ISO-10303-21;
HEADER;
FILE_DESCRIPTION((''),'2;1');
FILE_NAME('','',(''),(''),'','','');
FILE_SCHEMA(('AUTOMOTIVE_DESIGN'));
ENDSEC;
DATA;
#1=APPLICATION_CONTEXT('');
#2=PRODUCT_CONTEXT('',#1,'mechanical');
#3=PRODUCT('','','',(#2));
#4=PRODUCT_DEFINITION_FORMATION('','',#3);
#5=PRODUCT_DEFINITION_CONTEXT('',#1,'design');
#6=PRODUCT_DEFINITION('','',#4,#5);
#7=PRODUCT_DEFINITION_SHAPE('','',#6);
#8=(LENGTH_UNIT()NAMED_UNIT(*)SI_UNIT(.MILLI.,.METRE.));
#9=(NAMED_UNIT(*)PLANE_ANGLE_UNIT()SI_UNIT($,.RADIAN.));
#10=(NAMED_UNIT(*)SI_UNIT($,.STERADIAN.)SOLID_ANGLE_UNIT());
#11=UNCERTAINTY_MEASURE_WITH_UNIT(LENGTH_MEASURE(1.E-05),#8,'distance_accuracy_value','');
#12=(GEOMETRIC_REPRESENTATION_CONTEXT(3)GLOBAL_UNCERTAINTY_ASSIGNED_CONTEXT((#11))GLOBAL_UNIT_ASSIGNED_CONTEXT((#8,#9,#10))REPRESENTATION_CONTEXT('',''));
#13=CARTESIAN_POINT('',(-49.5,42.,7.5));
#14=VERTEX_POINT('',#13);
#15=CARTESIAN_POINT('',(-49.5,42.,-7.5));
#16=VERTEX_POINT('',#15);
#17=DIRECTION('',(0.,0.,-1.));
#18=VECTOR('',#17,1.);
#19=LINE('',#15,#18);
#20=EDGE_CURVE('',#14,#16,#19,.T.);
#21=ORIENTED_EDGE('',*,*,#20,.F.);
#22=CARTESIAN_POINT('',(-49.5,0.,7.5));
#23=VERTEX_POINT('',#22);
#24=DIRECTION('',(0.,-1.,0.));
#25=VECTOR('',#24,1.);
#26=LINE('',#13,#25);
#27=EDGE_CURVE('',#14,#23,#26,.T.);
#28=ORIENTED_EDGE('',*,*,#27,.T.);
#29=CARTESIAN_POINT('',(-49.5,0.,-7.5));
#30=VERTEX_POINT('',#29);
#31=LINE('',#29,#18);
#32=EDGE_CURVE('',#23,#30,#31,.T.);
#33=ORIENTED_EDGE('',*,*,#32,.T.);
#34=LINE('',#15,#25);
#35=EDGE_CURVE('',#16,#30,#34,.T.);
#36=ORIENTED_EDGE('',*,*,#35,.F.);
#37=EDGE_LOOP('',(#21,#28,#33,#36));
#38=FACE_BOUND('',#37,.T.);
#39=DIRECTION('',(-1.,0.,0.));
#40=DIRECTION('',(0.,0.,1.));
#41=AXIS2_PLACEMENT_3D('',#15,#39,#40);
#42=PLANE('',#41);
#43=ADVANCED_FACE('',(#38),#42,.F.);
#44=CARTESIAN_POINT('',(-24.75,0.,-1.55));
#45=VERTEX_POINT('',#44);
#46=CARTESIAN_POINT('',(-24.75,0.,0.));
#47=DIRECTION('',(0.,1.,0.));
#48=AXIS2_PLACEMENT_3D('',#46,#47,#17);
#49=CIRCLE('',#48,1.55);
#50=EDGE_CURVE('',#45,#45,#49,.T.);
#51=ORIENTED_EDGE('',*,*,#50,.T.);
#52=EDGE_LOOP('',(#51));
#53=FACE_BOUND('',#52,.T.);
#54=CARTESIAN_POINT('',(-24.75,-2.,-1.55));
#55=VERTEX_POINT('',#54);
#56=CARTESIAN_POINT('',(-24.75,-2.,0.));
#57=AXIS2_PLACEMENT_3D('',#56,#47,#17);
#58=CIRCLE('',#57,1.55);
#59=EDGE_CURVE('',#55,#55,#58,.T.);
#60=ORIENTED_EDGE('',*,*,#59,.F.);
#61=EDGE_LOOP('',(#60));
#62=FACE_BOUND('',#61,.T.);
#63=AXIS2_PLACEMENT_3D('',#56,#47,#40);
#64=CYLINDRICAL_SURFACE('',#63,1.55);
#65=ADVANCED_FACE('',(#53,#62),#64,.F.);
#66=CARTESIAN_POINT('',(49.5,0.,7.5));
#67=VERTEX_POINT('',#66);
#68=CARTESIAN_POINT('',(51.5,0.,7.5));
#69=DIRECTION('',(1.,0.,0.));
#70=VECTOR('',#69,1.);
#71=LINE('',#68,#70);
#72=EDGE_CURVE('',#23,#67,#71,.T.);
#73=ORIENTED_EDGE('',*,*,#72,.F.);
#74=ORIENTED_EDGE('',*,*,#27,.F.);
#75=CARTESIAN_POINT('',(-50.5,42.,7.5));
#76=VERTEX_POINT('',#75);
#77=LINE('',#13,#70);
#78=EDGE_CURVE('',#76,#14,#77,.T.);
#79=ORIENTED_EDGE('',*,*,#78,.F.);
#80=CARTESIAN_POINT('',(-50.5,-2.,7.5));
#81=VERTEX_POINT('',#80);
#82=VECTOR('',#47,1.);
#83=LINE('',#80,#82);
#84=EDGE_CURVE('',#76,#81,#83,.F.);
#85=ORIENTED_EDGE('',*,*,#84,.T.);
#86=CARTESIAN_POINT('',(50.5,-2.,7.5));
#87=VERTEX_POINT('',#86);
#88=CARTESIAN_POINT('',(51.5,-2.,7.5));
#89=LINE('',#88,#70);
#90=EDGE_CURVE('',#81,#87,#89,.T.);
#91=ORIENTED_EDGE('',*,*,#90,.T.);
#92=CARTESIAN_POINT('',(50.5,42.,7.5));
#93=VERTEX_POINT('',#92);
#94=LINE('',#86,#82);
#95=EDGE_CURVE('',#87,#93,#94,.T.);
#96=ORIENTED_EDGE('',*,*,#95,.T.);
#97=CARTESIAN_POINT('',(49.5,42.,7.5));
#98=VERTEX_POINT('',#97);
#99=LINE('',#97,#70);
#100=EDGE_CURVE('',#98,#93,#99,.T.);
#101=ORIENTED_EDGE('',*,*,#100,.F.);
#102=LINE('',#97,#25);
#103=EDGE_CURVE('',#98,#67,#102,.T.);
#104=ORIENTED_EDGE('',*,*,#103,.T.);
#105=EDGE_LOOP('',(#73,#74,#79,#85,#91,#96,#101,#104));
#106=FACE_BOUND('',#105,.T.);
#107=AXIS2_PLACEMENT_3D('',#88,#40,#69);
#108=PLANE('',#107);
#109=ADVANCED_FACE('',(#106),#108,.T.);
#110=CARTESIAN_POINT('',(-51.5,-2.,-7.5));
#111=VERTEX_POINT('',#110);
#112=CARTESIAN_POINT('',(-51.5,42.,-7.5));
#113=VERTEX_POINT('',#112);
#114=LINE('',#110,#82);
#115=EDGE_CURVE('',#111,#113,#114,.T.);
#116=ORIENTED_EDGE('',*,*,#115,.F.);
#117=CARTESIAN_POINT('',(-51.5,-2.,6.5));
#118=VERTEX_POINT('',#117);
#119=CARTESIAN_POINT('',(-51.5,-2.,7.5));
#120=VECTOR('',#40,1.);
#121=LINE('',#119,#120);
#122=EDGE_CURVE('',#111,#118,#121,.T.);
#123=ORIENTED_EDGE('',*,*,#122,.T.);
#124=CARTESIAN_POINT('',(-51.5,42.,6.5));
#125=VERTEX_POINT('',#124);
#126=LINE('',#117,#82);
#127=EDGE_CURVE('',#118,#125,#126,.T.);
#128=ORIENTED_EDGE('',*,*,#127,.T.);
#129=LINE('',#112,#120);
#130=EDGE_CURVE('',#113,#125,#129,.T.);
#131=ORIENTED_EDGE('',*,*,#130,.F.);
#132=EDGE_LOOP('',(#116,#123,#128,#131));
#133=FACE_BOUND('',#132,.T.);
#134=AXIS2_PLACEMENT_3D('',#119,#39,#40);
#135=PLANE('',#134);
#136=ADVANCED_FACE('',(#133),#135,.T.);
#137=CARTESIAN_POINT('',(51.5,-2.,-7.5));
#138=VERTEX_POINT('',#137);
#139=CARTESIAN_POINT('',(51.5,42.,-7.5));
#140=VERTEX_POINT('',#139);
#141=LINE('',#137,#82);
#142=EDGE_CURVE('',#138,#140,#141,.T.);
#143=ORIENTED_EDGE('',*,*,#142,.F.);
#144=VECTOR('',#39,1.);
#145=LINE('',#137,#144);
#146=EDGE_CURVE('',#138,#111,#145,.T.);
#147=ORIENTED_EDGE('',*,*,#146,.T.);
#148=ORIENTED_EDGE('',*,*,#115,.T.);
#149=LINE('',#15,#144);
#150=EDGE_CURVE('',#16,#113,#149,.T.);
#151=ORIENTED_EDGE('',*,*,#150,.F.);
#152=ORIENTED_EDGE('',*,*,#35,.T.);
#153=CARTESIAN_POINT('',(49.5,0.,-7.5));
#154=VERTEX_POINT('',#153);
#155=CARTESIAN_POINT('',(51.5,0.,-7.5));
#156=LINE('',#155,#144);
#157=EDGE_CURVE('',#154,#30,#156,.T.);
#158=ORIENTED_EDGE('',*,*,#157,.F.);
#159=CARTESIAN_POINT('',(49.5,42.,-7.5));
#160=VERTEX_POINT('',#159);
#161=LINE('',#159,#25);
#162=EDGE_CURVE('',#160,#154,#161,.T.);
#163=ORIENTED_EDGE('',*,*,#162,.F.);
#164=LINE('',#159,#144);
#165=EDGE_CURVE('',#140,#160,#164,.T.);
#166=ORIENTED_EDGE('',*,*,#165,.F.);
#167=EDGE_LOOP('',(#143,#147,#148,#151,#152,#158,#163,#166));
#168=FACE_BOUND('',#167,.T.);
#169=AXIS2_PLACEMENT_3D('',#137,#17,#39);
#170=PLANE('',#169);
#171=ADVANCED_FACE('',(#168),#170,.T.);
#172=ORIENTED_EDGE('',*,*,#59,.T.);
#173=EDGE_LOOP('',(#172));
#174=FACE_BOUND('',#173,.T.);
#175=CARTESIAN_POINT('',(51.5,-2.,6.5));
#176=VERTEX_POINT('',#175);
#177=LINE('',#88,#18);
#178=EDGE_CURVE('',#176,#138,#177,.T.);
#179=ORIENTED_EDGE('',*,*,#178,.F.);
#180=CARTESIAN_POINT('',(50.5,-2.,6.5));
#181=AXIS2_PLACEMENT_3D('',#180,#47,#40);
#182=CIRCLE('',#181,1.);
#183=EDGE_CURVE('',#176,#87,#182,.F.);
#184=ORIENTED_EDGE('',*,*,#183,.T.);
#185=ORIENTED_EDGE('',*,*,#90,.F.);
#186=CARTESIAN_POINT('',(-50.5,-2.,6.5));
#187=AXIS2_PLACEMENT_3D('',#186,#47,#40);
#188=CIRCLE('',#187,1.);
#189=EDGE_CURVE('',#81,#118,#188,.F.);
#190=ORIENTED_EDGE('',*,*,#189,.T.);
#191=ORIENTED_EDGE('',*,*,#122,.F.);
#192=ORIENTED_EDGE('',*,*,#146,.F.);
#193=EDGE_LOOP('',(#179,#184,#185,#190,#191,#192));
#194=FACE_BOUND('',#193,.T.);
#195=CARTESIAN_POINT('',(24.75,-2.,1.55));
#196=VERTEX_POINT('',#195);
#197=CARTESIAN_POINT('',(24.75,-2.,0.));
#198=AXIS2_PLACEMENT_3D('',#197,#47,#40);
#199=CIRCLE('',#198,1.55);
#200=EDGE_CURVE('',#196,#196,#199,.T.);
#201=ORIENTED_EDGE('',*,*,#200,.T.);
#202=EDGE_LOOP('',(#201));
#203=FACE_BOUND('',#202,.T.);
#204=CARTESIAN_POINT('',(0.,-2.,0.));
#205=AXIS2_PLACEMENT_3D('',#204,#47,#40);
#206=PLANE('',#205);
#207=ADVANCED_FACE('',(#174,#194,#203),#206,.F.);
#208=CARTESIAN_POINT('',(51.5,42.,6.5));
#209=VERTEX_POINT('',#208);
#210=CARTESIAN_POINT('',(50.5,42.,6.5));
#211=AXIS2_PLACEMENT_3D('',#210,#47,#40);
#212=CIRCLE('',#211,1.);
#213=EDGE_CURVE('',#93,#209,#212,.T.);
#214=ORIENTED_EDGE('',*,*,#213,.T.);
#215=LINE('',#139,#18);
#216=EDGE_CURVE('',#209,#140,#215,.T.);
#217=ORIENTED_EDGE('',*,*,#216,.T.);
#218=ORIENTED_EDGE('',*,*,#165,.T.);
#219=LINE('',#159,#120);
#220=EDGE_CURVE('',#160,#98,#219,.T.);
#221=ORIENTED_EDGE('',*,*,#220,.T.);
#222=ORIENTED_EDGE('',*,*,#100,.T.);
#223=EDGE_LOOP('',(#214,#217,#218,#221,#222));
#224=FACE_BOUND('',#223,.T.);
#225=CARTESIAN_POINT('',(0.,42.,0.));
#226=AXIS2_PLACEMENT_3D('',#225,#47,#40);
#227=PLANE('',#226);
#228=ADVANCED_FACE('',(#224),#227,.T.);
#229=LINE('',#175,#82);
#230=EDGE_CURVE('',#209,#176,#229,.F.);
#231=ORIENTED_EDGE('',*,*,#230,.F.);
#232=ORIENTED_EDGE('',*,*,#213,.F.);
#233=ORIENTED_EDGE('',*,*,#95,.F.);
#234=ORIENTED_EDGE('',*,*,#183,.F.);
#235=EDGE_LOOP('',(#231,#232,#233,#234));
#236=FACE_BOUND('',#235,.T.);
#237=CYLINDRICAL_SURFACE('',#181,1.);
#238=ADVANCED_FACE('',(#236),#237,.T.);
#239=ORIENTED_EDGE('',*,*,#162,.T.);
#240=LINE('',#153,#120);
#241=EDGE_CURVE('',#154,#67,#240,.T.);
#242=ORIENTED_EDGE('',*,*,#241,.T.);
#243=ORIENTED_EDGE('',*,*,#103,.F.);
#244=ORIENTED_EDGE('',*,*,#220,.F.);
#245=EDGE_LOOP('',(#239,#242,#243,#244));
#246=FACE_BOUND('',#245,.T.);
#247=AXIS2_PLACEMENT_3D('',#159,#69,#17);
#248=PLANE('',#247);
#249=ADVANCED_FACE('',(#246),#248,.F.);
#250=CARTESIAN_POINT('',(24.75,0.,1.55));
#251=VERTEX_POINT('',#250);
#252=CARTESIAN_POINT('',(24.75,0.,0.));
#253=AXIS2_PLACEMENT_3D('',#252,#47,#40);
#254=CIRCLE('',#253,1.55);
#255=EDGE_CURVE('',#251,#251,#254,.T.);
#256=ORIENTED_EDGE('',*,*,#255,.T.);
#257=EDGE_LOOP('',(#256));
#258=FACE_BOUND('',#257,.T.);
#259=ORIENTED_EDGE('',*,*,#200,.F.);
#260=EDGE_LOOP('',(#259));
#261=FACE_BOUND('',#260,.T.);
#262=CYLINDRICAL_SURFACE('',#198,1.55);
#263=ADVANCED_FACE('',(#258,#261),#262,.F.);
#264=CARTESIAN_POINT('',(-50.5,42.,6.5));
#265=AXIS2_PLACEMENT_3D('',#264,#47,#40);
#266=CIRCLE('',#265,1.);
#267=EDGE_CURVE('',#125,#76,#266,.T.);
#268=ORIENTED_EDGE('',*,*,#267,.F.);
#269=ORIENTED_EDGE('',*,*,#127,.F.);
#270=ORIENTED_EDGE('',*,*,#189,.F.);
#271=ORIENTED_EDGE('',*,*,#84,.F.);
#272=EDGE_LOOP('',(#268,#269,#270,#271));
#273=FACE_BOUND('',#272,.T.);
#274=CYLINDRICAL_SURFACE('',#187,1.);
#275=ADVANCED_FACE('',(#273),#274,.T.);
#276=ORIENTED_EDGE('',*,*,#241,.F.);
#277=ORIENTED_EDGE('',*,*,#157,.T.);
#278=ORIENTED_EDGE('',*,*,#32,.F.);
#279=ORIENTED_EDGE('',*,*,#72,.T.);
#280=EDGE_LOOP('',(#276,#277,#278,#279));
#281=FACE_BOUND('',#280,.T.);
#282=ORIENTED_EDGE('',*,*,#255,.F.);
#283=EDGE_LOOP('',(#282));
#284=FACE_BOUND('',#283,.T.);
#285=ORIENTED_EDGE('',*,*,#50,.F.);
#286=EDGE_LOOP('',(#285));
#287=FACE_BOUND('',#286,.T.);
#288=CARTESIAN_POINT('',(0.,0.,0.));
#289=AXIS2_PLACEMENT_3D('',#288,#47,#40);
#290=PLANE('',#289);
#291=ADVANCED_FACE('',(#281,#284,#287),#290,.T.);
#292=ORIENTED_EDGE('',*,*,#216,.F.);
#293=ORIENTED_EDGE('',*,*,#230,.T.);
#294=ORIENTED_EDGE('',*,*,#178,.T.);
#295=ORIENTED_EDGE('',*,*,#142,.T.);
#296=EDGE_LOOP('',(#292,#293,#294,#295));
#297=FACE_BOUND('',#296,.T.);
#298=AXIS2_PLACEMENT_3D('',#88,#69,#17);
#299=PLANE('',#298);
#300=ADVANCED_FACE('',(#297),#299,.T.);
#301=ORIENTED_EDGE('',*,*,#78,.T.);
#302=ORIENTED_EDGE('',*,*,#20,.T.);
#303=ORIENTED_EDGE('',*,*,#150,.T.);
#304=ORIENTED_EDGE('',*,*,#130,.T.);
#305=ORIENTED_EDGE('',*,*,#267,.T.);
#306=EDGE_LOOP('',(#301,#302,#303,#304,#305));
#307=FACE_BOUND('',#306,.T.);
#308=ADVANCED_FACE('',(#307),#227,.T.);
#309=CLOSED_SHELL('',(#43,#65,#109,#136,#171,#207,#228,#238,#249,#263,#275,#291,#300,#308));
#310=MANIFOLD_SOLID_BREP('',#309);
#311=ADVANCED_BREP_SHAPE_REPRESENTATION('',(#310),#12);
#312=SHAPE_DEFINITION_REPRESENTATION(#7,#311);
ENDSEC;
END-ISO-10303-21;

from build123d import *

# Parameters (mm, degrees)
ESBO_O1_W                = 103
ESBO_O1_H                = 15
RESSALTO_EXTRUS_O1_DEPTH = 2
ESBO_O2_W                = 2
ESBO_O2_H                = 15
RESSALTO_EXTRUS_O2_DEPTH = 42
ESBO_O4_R                = 1.55
CORTE_EXTRUS_O1_DEPTH    = 2
FILETE1_R                = 1


with BuildPart() as part:
    # Esboço1 → Ressalto-extrusão1 (new body)
    with BuildSketch(Plane(origin=(0, 0, 0), x_dir=(1, 0, 0), z_dir=(0, 1, 0))):
        Rectangle(ESBO_O1_W, ESBO_O1_H)
    extrude(amount=-RESSALTO_EXTRUS_O1_DEPTH)

    # Esboço2 → Ressalto-extrusão2 (add)
    with BuildSketch(Plane(origin=(0, 0, 0), x_dir=(1, 0, 0), z_dir=(0, 1, 0))):
        with Locations((-50.5, 0)):
            Rectangle(ESBO_O2_W, ESBO_O2_H)
        with Locations((50.5, 0)):
            Rectangle(ESBO_O2_W, ESBO_O2_H)
    extrude(amount=RESSALTO_EXTRUS_O2_DEPTH)

    # Esboço4 → Corte-extrusão1 (cut)
    with BuildSketch(Plane(origin=(0, 0, 0), x_dir=(1, 0, 0), z_dir=(0, 1, 0))):
        with Locations(Location((24.75, 0, 0), (0, 0, 270))):
            Circle(ESBO_O4_R)
        with Locations(Location((-24.75, 0, 0), (0, 0, 90))):
            Circle(ESBO_O4_R)
    extrude(amount=-CORTE_EXTRUS_O1_DEPTH, mode=Mode.SUBTRACT)

    # Filete1
    filete1_edges = [part.edges().sort_by_distance(p)[0] for p in [
        (51.5, 20, 7.5),
        (-51.5, 20, 7.5),
    ]]
    fillet(filete1_edges, radius=FILETE1_R)


solid = part.part
